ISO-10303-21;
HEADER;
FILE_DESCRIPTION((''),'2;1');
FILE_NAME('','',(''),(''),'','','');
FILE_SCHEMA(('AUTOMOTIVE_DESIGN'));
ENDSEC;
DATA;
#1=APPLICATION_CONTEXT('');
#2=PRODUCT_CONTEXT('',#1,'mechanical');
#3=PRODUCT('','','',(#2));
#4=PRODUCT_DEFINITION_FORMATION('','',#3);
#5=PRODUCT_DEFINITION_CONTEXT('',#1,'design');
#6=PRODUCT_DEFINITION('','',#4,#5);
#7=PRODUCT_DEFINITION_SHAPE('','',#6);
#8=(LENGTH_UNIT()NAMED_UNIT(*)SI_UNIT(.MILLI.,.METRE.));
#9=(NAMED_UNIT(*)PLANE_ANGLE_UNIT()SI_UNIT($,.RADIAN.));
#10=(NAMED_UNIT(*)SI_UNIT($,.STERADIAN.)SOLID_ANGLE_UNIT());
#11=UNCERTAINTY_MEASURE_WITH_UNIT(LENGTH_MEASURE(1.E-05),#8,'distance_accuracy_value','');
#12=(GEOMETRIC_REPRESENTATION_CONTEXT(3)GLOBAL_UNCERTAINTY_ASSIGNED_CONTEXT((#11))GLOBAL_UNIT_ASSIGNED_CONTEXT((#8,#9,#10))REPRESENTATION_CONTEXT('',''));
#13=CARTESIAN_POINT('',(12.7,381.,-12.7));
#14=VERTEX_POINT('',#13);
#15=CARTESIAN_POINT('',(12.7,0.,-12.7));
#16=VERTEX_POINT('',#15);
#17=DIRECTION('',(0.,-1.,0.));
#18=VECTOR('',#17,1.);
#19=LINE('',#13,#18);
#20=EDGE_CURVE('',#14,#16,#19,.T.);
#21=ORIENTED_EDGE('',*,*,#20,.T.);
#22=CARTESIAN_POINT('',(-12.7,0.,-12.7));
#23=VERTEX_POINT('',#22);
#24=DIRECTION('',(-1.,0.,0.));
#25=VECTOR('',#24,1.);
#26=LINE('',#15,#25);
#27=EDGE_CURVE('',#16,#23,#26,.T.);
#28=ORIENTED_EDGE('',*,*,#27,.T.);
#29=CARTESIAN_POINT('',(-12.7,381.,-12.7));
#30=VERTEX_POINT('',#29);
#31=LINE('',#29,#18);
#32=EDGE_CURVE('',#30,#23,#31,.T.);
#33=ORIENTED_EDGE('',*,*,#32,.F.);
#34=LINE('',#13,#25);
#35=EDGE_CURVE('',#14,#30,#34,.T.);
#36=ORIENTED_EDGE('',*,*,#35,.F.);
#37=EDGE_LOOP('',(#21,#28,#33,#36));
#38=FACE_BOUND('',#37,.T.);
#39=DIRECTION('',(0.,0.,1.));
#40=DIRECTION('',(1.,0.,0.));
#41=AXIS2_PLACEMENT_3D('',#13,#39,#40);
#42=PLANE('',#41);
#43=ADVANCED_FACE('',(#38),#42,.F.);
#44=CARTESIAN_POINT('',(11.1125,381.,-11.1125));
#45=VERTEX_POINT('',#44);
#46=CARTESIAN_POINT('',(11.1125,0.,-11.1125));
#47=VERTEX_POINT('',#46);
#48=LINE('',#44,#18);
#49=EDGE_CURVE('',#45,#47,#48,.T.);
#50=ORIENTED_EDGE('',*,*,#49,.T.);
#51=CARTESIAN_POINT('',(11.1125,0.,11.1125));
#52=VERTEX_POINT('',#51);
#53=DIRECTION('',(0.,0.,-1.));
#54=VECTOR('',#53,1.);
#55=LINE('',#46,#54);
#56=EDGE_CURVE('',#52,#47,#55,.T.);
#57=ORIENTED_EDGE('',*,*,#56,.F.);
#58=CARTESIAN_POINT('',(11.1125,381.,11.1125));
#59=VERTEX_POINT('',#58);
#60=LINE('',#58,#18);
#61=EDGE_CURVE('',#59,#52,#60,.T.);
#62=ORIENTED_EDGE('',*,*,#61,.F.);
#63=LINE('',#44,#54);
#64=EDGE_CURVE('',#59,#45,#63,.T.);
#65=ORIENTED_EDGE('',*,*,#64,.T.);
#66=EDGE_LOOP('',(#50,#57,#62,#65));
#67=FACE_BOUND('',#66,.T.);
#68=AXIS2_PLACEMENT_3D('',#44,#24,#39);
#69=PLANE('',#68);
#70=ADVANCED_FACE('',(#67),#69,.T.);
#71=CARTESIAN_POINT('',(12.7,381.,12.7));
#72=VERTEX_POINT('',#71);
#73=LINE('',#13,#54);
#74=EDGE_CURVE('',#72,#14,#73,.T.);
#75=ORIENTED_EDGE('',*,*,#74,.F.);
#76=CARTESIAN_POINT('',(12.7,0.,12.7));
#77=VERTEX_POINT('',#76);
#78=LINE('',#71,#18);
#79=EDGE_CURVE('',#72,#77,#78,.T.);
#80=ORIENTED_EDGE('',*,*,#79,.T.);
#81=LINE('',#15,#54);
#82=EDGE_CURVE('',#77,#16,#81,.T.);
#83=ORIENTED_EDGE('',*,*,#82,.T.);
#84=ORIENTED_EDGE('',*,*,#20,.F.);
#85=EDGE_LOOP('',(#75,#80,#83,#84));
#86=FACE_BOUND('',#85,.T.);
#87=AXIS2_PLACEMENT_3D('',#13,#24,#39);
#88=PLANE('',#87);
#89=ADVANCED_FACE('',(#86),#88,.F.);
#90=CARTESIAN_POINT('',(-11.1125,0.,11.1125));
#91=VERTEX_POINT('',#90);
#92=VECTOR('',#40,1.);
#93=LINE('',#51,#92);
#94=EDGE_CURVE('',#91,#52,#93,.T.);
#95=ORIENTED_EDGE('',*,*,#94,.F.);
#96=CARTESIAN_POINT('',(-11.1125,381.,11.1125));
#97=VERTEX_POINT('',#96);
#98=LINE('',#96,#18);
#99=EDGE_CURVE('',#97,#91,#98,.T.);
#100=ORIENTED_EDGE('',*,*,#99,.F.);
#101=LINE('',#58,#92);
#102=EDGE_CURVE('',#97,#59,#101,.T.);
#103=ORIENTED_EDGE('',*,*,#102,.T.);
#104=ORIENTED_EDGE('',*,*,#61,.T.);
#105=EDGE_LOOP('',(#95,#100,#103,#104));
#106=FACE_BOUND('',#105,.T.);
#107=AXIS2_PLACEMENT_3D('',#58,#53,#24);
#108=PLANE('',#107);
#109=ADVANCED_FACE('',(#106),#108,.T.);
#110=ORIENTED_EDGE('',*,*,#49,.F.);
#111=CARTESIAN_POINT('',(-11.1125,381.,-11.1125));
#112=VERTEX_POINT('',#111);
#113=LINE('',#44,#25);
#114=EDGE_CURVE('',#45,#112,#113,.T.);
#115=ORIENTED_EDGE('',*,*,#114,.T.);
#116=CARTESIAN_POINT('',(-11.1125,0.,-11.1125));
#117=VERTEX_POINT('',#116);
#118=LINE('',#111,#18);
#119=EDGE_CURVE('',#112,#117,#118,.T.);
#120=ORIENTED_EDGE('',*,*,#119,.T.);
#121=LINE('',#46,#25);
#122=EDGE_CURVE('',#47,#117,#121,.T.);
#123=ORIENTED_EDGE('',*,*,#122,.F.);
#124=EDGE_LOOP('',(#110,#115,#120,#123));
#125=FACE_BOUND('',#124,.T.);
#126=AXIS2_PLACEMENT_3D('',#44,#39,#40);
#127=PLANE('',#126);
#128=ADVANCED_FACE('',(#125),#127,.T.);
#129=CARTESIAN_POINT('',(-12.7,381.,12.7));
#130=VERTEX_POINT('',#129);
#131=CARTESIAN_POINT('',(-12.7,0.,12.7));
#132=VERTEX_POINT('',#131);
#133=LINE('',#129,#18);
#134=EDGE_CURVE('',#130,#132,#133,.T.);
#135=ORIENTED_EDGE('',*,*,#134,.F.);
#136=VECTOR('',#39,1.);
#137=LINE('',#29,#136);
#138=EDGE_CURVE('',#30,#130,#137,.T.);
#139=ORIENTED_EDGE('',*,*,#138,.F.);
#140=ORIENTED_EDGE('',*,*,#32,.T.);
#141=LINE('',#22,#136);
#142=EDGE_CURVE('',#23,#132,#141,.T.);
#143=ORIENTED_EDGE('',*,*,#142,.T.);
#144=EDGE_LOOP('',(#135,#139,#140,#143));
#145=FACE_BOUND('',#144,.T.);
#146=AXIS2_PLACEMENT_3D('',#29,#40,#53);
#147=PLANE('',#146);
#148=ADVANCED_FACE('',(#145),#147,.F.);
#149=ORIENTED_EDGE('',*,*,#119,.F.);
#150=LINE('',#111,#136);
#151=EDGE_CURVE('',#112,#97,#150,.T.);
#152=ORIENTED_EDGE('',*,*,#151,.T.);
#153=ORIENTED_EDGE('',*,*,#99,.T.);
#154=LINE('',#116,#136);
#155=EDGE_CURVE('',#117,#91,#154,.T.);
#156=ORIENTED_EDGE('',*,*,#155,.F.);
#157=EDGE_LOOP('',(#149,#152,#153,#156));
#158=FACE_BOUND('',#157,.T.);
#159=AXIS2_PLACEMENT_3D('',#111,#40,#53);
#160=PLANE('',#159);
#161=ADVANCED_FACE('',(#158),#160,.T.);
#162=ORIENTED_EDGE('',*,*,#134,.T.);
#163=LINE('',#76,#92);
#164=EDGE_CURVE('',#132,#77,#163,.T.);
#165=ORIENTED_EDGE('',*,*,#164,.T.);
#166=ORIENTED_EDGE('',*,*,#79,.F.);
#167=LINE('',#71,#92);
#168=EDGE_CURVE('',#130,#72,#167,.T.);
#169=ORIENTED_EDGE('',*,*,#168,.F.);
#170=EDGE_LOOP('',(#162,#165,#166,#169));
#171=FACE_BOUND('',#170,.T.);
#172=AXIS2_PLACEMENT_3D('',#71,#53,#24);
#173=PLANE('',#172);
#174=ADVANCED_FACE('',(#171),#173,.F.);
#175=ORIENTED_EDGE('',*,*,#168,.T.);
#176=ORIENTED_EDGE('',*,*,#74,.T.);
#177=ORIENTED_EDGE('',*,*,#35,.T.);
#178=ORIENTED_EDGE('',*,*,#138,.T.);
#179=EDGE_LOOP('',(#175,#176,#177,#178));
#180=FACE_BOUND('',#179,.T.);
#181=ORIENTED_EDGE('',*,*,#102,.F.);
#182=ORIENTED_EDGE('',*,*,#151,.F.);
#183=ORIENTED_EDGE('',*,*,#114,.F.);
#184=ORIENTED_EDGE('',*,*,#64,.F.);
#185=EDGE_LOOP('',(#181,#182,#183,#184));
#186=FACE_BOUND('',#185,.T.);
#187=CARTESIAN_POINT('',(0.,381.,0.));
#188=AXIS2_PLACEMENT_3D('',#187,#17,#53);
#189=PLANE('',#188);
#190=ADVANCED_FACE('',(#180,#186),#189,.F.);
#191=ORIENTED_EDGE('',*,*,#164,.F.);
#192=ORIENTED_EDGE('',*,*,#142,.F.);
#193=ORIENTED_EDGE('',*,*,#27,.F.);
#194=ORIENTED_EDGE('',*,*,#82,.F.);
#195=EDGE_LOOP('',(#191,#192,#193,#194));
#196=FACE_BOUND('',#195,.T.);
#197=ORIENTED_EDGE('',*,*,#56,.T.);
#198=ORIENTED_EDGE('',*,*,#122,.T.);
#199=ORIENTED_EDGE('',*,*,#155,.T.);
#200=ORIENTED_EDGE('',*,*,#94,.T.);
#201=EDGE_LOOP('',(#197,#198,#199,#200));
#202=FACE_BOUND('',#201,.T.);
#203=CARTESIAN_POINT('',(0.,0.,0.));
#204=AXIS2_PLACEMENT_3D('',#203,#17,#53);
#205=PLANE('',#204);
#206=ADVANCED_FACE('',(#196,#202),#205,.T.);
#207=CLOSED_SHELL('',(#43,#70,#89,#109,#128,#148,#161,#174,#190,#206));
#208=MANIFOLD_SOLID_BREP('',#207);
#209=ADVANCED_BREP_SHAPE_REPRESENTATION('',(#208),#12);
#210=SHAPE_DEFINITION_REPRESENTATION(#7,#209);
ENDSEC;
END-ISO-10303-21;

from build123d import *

# Parameters (mm, degrees)
SKETCH1_W           = 25.4
SKETCH1_H           = 25.4
SKETCH1_W_2         = 22.225
SKETCH1_H_2         = 22.225
BOSS_EXTRUDE1_DEPTH = 381


with BuildPart() as part:
    # Sketch1 → Boss-Extrude1 (new body)
    with BuildSketch(Plane(origin=(0, 0, 0), x_dir=(1, 0, 0), z_dir=(0, 1, 0))):
        Rectangle(SKETCH1_W, SKETCH1_H)
        Rectangle(SKETCH1_W_2, SKETCH1_H_2, mode=Mode.SUBTRACT)
    extrude(amount=BOSS_EXTRUDE1_DEPTH)


solid = part.part
